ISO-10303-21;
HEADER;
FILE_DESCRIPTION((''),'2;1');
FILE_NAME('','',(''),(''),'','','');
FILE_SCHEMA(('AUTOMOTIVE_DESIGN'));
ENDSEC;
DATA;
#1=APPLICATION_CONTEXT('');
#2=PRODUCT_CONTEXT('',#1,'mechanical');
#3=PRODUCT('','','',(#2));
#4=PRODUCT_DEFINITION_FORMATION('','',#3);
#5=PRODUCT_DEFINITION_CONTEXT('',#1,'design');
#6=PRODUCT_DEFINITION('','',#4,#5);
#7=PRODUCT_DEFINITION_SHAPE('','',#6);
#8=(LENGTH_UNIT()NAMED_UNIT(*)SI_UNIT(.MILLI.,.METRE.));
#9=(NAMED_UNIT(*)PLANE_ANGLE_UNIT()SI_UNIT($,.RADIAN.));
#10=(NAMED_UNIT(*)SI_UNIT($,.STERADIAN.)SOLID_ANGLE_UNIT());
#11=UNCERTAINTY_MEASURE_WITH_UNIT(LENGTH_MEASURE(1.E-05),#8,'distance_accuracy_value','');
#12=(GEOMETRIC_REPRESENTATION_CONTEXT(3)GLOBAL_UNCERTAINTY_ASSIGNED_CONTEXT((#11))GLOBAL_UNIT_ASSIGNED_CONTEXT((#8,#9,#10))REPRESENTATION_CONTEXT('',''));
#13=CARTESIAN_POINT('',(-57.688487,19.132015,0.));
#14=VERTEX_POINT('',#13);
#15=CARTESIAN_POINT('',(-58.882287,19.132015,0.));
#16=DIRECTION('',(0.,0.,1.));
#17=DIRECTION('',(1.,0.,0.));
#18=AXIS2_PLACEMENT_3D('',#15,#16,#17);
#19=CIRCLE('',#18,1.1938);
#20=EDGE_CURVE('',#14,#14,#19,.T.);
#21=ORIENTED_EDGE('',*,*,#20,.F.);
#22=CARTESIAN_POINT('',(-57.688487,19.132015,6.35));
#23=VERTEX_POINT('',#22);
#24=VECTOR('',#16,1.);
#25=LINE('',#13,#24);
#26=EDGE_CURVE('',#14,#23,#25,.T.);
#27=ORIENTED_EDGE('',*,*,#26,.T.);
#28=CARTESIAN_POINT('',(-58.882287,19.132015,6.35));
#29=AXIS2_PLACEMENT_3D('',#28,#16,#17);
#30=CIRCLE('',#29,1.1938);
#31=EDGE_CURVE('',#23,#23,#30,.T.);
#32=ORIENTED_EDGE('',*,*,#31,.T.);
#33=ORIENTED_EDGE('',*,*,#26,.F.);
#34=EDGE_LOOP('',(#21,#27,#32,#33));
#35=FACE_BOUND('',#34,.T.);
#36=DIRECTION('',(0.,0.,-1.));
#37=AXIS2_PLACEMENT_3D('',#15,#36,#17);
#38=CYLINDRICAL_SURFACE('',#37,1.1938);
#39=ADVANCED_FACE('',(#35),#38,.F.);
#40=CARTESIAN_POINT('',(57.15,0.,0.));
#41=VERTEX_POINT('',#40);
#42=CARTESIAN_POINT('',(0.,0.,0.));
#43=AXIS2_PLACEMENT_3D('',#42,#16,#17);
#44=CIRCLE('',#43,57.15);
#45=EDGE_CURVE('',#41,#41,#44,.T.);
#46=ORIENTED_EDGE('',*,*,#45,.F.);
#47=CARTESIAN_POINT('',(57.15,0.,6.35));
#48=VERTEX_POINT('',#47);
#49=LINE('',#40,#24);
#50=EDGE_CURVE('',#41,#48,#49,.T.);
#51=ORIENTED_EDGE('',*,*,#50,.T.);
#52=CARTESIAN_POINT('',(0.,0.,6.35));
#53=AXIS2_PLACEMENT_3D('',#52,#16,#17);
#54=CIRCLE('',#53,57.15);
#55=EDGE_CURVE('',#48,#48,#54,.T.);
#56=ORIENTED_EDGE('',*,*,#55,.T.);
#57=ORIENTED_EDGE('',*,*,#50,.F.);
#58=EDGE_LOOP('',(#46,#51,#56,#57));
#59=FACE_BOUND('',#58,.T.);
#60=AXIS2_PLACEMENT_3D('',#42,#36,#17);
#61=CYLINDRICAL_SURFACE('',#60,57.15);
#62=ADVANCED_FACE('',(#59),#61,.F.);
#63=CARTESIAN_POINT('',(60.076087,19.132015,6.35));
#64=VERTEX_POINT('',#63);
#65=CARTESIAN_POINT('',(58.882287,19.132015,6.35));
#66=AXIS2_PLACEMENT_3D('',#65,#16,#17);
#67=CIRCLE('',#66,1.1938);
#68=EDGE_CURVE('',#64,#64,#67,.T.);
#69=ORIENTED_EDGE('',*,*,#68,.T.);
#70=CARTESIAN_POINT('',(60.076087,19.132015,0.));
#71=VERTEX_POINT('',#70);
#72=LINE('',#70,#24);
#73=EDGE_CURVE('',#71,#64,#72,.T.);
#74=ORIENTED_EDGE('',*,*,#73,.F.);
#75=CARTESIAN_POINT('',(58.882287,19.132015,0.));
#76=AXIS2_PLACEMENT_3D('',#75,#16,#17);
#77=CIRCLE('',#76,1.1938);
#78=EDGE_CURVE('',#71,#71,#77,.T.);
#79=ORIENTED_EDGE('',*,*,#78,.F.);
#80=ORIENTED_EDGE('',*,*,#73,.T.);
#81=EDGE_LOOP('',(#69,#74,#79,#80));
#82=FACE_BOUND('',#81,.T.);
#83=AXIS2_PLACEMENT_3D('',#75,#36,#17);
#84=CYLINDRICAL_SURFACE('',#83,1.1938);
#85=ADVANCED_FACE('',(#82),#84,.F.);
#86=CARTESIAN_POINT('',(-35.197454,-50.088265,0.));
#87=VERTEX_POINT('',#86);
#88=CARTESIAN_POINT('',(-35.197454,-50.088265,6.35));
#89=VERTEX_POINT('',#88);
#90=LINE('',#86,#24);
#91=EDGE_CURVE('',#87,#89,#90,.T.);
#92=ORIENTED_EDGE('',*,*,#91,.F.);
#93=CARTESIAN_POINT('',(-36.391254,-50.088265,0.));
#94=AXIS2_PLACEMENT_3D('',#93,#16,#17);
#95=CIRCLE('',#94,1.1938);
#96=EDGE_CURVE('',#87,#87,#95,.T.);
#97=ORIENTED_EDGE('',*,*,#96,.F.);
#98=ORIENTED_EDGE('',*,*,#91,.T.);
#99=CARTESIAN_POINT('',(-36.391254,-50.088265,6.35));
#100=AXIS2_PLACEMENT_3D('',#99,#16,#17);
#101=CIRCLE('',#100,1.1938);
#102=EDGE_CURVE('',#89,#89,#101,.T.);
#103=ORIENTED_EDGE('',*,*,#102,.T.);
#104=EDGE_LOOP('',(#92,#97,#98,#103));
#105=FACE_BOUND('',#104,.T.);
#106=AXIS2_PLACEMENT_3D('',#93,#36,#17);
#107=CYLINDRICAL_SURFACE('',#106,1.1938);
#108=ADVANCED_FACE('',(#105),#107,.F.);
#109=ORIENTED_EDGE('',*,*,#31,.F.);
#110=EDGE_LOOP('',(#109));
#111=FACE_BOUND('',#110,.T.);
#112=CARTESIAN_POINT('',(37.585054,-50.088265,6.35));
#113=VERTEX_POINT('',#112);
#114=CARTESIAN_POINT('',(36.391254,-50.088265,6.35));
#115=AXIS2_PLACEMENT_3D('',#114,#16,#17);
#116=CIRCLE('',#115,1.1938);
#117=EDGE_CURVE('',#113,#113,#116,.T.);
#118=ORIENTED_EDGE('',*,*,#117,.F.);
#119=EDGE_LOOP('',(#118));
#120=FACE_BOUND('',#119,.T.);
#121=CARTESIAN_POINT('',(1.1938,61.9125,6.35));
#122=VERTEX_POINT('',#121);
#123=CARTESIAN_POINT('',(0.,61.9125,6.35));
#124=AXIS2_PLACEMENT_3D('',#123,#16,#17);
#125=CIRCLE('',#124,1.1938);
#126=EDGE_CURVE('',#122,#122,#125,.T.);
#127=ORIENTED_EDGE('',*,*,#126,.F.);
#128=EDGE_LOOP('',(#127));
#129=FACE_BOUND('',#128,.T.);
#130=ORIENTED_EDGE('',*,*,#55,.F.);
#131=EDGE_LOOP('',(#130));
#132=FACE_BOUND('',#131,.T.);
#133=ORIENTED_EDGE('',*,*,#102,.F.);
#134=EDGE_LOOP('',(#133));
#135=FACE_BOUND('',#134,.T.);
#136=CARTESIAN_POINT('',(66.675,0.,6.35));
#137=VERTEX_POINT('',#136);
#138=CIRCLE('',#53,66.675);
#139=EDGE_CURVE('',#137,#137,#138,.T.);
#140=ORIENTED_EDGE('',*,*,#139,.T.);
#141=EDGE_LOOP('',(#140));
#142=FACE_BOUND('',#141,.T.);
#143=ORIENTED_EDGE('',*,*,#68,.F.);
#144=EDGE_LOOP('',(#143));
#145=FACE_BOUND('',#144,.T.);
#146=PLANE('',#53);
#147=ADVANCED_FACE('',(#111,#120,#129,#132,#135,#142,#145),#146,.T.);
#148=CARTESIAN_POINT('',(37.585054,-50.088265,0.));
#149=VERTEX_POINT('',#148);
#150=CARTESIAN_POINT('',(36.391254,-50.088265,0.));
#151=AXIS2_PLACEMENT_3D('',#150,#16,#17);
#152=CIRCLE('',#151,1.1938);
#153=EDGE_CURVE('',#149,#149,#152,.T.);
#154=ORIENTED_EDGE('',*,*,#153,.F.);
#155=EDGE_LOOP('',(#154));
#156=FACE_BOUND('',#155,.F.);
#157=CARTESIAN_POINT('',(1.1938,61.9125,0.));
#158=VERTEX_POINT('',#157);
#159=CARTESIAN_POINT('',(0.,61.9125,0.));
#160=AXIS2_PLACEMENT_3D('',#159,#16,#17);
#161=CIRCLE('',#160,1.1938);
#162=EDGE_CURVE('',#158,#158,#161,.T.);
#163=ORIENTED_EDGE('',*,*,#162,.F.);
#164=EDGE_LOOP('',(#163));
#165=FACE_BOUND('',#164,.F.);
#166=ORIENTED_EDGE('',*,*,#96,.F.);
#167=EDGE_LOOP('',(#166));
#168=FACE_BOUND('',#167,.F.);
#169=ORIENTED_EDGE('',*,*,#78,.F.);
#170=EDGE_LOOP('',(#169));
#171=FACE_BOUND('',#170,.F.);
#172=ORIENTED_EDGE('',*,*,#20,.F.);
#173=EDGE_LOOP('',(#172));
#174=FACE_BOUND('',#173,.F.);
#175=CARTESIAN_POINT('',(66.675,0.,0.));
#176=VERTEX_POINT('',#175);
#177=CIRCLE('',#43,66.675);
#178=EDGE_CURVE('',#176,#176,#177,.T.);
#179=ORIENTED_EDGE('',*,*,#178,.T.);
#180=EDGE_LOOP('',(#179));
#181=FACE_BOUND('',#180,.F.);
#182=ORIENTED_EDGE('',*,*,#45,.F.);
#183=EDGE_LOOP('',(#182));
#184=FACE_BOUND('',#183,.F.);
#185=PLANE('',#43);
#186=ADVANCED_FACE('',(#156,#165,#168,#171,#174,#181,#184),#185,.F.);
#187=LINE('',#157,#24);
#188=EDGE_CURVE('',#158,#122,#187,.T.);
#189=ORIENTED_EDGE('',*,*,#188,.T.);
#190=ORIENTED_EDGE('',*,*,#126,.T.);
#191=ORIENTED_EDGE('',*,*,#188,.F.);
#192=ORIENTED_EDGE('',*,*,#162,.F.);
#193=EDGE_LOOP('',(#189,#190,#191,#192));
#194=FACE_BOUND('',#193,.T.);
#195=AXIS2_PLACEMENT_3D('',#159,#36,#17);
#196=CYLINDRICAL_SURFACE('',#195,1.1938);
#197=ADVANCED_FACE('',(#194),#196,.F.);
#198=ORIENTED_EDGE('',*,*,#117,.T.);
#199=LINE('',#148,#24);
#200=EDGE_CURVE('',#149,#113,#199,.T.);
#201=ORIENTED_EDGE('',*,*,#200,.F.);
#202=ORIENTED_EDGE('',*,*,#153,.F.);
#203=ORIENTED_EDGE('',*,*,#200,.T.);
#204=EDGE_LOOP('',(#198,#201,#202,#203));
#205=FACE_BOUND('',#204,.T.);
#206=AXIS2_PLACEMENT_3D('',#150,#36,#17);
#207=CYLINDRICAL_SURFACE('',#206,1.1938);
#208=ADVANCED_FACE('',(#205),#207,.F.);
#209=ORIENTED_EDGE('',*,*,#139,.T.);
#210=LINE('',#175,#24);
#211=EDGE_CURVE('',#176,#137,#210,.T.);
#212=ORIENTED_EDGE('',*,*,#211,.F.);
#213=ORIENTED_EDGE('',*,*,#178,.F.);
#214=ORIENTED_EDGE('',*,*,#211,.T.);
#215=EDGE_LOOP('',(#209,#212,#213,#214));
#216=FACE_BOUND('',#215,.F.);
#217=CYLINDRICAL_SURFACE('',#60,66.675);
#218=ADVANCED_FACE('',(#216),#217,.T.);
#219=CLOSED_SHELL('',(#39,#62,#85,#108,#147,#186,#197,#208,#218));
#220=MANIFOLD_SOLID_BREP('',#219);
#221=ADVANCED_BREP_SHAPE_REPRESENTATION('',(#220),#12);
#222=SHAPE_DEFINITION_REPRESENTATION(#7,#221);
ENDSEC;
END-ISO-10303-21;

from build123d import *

# Parameters (mm, degrees)
F0_R     = 66.675
F0_R_2   = 1.1938
F0_R_3   = 57.15
F1_DEPTH = 6.35


with BuildPart() as f1:
    # F0 (on Top) → F1 (new body)
    with BuildSketch(Plane.XY):
        Circle(F0_R)
        with Locations((-36.391254, -50.088265)):
            Circle(F0_R_2, mode=Mode.SUBTRACT)
        with Locations((36.391254, -50.088265)):
            Circle(F0_R_2, mode=Mode.SUBTRACT)
        with Locations((-58.882287, 19.132015)):
            Circle(F0_R_2, mode=Mode.SUBTRACT)
        Circle(F0_R_3, mode=Mode.SUBTRACT)
        with Locations((58.882287, 19.132015)):
            Circle(F0_R_2, mode=Mode.SUBTRACT)
        with Locations((0, 61.9125)):
            Circle(F0_R_2, mode=Mode.SUBTRACT)
    extrude(amount=F1_DEPTH)


solid = f1.part
